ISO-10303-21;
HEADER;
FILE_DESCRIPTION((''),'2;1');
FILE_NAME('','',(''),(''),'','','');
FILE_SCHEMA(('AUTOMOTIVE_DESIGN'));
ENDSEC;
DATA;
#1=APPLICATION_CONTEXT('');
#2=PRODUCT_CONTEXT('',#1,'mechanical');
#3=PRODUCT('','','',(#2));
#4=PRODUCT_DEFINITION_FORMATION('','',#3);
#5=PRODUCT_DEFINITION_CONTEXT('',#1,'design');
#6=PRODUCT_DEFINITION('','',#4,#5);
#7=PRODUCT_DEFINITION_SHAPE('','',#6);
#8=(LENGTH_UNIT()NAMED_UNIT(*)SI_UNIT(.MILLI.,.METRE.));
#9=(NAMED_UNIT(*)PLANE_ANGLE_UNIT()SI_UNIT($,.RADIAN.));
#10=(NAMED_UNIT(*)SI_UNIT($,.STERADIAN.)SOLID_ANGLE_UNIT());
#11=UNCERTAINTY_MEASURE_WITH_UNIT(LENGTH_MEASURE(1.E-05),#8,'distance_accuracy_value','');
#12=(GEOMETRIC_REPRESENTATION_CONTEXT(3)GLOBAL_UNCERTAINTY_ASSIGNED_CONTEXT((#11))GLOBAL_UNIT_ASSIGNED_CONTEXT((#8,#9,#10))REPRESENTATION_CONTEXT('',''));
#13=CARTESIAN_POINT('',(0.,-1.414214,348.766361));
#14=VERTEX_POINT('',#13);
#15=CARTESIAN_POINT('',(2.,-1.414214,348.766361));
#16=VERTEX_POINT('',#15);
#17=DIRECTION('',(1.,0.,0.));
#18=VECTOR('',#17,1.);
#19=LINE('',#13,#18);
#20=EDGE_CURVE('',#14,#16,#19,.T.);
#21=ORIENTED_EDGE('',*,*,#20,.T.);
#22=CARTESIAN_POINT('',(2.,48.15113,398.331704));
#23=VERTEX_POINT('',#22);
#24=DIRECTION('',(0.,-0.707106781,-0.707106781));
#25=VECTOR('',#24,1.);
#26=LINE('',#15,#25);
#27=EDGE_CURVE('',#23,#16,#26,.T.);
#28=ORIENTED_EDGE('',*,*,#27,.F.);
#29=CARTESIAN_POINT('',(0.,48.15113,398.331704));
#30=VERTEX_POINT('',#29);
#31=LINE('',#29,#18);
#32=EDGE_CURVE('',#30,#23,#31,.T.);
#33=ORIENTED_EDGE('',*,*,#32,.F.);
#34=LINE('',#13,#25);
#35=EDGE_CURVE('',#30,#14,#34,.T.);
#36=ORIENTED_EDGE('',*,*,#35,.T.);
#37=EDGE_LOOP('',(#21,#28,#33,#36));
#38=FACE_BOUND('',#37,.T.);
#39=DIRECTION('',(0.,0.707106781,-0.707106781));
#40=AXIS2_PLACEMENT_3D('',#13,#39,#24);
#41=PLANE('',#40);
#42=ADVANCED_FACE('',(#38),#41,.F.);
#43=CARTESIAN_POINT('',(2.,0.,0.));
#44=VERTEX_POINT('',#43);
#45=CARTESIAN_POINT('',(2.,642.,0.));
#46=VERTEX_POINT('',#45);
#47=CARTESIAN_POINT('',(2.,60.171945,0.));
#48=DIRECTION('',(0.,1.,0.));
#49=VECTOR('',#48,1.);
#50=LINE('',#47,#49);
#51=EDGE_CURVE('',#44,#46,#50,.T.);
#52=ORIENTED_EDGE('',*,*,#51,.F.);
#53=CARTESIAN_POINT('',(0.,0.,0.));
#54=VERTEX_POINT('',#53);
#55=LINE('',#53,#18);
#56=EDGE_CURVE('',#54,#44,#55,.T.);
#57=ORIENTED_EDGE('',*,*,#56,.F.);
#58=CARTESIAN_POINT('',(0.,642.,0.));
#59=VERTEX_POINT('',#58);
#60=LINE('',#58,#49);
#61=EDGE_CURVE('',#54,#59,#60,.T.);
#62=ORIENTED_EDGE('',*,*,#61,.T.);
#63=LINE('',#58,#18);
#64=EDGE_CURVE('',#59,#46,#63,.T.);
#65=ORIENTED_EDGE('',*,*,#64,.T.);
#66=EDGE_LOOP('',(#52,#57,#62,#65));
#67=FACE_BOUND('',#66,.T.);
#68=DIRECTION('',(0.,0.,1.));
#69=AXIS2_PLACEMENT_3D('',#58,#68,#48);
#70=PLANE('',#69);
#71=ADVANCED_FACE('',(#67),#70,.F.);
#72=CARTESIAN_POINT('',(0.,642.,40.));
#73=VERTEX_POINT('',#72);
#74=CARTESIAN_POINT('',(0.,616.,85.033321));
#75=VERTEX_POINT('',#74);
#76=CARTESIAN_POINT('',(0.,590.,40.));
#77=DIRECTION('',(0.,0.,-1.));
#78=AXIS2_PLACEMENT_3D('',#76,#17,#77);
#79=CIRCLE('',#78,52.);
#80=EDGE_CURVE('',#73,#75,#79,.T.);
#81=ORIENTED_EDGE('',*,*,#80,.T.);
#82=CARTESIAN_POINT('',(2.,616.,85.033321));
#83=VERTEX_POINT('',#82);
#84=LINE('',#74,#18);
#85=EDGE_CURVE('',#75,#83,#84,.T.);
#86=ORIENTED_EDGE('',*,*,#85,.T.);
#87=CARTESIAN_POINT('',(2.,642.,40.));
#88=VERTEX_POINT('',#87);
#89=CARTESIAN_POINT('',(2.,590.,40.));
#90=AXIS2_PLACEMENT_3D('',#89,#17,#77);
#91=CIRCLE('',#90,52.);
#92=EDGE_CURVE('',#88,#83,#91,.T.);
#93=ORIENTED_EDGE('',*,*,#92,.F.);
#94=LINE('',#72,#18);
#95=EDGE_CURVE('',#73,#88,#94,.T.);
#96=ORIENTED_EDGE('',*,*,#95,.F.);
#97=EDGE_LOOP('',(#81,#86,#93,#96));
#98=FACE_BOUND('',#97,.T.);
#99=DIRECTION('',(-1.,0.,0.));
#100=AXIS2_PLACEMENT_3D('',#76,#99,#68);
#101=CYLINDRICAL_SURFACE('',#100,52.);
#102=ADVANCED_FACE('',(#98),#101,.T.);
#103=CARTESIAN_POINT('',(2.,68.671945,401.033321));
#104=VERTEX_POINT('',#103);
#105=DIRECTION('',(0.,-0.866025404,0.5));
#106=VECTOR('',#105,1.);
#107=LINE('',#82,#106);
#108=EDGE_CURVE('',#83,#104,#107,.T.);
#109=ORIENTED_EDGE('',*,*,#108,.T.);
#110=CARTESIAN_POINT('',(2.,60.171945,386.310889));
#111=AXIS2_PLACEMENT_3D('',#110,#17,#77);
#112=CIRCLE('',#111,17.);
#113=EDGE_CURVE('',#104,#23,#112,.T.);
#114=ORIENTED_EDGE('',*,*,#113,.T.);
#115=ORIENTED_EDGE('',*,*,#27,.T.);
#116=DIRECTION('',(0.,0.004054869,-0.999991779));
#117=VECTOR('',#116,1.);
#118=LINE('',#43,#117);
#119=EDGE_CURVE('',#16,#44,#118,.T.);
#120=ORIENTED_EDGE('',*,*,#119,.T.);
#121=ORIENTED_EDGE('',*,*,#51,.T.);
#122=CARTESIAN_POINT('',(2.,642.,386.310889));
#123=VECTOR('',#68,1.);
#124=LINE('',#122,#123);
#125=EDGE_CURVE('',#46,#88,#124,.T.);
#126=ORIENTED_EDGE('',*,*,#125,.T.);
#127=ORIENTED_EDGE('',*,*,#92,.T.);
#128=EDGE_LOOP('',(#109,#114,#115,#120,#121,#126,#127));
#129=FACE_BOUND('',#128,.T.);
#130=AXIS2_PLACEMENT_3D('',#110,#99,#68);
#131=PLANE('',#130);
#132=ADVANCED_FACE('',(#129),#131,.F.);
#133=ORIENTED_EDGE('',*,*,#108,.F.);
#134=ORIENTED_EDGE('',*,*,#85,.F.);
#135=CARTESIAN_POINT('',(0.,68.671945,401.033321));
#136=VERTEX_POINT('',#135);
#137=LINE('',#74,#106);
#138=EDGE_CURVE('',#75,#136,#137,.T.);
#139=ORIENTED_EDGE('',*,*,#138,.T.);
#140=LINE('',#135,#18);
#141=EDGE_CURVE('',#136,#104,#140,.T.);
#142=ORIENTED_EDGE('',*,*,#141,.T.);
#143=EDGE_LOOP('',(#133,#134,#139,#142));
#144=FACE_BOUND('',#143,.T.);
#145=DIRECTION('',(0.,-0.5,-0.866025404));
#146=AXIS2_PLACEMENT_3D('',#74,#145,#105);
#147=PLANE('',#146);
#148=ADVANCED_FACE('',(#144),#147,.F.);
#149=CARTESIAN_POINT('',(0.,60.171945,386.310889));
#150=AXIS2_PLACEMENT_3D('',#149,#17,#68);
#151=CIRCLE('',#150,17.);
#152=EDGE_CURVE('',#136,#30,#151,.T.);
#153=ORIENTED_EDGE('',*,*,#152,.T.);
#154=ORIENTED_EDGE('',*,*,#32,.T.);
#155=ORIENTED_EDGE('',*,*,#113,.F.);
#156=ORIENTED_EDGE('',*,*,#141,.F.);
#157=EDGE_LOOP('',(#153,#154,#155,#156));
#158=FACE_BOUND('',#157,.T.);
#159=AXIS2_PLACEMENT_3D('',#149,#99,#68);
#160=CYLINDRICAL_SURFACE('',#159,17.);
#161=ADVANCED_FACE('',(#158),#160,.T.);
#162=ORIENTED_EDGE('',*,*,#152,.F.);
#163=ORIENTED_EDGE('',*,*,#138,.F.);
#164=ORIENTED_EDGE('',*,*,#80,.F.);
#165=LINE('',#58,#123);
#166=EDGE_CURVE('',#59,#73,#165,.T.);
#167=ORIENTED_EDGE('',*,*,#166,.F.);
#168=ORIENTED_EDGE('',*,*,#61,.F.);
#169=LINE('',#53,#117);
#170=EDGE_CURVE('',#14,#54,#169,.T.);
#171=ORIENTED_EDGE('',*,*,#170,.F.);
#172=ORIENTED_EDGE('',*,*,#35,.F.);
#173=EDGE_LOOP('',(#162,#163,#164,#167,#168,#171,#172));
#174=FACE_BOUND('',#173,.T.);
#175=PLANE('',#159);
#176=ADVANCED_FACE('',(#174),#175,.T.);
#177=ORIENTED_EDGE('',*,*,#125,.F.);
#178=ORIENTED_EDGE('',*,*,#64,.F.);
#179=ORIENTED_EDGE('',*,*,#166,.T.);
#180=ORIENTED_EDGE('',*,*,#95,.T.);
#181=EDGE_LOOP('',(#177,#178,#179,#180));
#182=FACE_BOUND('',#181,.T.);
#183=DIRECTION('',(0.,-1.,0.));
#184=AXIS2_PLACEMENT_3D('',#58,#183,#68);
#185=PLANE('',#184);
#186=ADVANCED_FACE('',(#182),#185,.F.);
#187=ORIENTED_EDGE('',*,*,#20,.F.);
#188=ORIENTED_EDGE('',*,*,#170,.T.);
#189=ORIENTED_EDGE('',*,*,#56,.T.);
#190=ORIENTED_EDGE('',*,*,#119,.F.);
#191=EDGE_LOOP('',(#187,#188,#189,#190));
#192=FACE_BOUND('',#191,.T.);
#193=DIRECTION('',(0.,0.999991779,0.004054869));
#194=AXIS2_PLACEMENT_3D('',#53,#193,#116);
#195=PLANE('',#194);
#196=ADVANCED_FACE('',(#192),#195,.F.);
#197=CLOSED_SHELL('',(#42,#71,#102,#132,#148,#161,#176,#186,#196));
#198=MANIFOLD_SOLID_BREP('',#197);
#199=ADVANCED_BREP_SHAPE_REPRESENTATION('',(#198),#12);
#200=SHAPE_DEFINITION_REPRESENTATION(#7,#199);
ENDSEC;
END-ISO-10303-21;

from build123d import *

# Parameters (mm, degrees)
THICKEN1_T1 = 2


with BuildPart() as body_1:
    # Sketch1 → Surface-Plane1: a flat surface bounded by the sketch
    with BuildSketch(Plane(origin=(0, 0, 0), x_dir=(0, 0, -1), z_dir=(1, 0, 0)), mode=Mode.PRIVATE) as surface_plane1_1_region:
        with BuildLine():
            Line((0, 642), (-40, 642))
            ThreePointArc((-40, 642), (-66, 635.033320997), (-85.033320997, 616))
            Line((-85.033320997, 616), (-401.033320997, 68.671944808))
            ThreePointArc((-401.033320997, 68.671944808), (-403.165451776, 57.95299954), (-398.331704413, 48.151129528))
            Line((-398.331704413, 48.151129528), (-348.766361322, -1.414213562))
            Line((-348.766361322, -1.414213562), (0, 0))
            Line((0, 0), (0, 642))
        make_face()
    surface_plane1_1 = surface_plane1_1_region.sketch.faces()[0]
    add(Solid.thicken(surface_plane1_1, THICKEN1_T1))


solid = body_1.part
